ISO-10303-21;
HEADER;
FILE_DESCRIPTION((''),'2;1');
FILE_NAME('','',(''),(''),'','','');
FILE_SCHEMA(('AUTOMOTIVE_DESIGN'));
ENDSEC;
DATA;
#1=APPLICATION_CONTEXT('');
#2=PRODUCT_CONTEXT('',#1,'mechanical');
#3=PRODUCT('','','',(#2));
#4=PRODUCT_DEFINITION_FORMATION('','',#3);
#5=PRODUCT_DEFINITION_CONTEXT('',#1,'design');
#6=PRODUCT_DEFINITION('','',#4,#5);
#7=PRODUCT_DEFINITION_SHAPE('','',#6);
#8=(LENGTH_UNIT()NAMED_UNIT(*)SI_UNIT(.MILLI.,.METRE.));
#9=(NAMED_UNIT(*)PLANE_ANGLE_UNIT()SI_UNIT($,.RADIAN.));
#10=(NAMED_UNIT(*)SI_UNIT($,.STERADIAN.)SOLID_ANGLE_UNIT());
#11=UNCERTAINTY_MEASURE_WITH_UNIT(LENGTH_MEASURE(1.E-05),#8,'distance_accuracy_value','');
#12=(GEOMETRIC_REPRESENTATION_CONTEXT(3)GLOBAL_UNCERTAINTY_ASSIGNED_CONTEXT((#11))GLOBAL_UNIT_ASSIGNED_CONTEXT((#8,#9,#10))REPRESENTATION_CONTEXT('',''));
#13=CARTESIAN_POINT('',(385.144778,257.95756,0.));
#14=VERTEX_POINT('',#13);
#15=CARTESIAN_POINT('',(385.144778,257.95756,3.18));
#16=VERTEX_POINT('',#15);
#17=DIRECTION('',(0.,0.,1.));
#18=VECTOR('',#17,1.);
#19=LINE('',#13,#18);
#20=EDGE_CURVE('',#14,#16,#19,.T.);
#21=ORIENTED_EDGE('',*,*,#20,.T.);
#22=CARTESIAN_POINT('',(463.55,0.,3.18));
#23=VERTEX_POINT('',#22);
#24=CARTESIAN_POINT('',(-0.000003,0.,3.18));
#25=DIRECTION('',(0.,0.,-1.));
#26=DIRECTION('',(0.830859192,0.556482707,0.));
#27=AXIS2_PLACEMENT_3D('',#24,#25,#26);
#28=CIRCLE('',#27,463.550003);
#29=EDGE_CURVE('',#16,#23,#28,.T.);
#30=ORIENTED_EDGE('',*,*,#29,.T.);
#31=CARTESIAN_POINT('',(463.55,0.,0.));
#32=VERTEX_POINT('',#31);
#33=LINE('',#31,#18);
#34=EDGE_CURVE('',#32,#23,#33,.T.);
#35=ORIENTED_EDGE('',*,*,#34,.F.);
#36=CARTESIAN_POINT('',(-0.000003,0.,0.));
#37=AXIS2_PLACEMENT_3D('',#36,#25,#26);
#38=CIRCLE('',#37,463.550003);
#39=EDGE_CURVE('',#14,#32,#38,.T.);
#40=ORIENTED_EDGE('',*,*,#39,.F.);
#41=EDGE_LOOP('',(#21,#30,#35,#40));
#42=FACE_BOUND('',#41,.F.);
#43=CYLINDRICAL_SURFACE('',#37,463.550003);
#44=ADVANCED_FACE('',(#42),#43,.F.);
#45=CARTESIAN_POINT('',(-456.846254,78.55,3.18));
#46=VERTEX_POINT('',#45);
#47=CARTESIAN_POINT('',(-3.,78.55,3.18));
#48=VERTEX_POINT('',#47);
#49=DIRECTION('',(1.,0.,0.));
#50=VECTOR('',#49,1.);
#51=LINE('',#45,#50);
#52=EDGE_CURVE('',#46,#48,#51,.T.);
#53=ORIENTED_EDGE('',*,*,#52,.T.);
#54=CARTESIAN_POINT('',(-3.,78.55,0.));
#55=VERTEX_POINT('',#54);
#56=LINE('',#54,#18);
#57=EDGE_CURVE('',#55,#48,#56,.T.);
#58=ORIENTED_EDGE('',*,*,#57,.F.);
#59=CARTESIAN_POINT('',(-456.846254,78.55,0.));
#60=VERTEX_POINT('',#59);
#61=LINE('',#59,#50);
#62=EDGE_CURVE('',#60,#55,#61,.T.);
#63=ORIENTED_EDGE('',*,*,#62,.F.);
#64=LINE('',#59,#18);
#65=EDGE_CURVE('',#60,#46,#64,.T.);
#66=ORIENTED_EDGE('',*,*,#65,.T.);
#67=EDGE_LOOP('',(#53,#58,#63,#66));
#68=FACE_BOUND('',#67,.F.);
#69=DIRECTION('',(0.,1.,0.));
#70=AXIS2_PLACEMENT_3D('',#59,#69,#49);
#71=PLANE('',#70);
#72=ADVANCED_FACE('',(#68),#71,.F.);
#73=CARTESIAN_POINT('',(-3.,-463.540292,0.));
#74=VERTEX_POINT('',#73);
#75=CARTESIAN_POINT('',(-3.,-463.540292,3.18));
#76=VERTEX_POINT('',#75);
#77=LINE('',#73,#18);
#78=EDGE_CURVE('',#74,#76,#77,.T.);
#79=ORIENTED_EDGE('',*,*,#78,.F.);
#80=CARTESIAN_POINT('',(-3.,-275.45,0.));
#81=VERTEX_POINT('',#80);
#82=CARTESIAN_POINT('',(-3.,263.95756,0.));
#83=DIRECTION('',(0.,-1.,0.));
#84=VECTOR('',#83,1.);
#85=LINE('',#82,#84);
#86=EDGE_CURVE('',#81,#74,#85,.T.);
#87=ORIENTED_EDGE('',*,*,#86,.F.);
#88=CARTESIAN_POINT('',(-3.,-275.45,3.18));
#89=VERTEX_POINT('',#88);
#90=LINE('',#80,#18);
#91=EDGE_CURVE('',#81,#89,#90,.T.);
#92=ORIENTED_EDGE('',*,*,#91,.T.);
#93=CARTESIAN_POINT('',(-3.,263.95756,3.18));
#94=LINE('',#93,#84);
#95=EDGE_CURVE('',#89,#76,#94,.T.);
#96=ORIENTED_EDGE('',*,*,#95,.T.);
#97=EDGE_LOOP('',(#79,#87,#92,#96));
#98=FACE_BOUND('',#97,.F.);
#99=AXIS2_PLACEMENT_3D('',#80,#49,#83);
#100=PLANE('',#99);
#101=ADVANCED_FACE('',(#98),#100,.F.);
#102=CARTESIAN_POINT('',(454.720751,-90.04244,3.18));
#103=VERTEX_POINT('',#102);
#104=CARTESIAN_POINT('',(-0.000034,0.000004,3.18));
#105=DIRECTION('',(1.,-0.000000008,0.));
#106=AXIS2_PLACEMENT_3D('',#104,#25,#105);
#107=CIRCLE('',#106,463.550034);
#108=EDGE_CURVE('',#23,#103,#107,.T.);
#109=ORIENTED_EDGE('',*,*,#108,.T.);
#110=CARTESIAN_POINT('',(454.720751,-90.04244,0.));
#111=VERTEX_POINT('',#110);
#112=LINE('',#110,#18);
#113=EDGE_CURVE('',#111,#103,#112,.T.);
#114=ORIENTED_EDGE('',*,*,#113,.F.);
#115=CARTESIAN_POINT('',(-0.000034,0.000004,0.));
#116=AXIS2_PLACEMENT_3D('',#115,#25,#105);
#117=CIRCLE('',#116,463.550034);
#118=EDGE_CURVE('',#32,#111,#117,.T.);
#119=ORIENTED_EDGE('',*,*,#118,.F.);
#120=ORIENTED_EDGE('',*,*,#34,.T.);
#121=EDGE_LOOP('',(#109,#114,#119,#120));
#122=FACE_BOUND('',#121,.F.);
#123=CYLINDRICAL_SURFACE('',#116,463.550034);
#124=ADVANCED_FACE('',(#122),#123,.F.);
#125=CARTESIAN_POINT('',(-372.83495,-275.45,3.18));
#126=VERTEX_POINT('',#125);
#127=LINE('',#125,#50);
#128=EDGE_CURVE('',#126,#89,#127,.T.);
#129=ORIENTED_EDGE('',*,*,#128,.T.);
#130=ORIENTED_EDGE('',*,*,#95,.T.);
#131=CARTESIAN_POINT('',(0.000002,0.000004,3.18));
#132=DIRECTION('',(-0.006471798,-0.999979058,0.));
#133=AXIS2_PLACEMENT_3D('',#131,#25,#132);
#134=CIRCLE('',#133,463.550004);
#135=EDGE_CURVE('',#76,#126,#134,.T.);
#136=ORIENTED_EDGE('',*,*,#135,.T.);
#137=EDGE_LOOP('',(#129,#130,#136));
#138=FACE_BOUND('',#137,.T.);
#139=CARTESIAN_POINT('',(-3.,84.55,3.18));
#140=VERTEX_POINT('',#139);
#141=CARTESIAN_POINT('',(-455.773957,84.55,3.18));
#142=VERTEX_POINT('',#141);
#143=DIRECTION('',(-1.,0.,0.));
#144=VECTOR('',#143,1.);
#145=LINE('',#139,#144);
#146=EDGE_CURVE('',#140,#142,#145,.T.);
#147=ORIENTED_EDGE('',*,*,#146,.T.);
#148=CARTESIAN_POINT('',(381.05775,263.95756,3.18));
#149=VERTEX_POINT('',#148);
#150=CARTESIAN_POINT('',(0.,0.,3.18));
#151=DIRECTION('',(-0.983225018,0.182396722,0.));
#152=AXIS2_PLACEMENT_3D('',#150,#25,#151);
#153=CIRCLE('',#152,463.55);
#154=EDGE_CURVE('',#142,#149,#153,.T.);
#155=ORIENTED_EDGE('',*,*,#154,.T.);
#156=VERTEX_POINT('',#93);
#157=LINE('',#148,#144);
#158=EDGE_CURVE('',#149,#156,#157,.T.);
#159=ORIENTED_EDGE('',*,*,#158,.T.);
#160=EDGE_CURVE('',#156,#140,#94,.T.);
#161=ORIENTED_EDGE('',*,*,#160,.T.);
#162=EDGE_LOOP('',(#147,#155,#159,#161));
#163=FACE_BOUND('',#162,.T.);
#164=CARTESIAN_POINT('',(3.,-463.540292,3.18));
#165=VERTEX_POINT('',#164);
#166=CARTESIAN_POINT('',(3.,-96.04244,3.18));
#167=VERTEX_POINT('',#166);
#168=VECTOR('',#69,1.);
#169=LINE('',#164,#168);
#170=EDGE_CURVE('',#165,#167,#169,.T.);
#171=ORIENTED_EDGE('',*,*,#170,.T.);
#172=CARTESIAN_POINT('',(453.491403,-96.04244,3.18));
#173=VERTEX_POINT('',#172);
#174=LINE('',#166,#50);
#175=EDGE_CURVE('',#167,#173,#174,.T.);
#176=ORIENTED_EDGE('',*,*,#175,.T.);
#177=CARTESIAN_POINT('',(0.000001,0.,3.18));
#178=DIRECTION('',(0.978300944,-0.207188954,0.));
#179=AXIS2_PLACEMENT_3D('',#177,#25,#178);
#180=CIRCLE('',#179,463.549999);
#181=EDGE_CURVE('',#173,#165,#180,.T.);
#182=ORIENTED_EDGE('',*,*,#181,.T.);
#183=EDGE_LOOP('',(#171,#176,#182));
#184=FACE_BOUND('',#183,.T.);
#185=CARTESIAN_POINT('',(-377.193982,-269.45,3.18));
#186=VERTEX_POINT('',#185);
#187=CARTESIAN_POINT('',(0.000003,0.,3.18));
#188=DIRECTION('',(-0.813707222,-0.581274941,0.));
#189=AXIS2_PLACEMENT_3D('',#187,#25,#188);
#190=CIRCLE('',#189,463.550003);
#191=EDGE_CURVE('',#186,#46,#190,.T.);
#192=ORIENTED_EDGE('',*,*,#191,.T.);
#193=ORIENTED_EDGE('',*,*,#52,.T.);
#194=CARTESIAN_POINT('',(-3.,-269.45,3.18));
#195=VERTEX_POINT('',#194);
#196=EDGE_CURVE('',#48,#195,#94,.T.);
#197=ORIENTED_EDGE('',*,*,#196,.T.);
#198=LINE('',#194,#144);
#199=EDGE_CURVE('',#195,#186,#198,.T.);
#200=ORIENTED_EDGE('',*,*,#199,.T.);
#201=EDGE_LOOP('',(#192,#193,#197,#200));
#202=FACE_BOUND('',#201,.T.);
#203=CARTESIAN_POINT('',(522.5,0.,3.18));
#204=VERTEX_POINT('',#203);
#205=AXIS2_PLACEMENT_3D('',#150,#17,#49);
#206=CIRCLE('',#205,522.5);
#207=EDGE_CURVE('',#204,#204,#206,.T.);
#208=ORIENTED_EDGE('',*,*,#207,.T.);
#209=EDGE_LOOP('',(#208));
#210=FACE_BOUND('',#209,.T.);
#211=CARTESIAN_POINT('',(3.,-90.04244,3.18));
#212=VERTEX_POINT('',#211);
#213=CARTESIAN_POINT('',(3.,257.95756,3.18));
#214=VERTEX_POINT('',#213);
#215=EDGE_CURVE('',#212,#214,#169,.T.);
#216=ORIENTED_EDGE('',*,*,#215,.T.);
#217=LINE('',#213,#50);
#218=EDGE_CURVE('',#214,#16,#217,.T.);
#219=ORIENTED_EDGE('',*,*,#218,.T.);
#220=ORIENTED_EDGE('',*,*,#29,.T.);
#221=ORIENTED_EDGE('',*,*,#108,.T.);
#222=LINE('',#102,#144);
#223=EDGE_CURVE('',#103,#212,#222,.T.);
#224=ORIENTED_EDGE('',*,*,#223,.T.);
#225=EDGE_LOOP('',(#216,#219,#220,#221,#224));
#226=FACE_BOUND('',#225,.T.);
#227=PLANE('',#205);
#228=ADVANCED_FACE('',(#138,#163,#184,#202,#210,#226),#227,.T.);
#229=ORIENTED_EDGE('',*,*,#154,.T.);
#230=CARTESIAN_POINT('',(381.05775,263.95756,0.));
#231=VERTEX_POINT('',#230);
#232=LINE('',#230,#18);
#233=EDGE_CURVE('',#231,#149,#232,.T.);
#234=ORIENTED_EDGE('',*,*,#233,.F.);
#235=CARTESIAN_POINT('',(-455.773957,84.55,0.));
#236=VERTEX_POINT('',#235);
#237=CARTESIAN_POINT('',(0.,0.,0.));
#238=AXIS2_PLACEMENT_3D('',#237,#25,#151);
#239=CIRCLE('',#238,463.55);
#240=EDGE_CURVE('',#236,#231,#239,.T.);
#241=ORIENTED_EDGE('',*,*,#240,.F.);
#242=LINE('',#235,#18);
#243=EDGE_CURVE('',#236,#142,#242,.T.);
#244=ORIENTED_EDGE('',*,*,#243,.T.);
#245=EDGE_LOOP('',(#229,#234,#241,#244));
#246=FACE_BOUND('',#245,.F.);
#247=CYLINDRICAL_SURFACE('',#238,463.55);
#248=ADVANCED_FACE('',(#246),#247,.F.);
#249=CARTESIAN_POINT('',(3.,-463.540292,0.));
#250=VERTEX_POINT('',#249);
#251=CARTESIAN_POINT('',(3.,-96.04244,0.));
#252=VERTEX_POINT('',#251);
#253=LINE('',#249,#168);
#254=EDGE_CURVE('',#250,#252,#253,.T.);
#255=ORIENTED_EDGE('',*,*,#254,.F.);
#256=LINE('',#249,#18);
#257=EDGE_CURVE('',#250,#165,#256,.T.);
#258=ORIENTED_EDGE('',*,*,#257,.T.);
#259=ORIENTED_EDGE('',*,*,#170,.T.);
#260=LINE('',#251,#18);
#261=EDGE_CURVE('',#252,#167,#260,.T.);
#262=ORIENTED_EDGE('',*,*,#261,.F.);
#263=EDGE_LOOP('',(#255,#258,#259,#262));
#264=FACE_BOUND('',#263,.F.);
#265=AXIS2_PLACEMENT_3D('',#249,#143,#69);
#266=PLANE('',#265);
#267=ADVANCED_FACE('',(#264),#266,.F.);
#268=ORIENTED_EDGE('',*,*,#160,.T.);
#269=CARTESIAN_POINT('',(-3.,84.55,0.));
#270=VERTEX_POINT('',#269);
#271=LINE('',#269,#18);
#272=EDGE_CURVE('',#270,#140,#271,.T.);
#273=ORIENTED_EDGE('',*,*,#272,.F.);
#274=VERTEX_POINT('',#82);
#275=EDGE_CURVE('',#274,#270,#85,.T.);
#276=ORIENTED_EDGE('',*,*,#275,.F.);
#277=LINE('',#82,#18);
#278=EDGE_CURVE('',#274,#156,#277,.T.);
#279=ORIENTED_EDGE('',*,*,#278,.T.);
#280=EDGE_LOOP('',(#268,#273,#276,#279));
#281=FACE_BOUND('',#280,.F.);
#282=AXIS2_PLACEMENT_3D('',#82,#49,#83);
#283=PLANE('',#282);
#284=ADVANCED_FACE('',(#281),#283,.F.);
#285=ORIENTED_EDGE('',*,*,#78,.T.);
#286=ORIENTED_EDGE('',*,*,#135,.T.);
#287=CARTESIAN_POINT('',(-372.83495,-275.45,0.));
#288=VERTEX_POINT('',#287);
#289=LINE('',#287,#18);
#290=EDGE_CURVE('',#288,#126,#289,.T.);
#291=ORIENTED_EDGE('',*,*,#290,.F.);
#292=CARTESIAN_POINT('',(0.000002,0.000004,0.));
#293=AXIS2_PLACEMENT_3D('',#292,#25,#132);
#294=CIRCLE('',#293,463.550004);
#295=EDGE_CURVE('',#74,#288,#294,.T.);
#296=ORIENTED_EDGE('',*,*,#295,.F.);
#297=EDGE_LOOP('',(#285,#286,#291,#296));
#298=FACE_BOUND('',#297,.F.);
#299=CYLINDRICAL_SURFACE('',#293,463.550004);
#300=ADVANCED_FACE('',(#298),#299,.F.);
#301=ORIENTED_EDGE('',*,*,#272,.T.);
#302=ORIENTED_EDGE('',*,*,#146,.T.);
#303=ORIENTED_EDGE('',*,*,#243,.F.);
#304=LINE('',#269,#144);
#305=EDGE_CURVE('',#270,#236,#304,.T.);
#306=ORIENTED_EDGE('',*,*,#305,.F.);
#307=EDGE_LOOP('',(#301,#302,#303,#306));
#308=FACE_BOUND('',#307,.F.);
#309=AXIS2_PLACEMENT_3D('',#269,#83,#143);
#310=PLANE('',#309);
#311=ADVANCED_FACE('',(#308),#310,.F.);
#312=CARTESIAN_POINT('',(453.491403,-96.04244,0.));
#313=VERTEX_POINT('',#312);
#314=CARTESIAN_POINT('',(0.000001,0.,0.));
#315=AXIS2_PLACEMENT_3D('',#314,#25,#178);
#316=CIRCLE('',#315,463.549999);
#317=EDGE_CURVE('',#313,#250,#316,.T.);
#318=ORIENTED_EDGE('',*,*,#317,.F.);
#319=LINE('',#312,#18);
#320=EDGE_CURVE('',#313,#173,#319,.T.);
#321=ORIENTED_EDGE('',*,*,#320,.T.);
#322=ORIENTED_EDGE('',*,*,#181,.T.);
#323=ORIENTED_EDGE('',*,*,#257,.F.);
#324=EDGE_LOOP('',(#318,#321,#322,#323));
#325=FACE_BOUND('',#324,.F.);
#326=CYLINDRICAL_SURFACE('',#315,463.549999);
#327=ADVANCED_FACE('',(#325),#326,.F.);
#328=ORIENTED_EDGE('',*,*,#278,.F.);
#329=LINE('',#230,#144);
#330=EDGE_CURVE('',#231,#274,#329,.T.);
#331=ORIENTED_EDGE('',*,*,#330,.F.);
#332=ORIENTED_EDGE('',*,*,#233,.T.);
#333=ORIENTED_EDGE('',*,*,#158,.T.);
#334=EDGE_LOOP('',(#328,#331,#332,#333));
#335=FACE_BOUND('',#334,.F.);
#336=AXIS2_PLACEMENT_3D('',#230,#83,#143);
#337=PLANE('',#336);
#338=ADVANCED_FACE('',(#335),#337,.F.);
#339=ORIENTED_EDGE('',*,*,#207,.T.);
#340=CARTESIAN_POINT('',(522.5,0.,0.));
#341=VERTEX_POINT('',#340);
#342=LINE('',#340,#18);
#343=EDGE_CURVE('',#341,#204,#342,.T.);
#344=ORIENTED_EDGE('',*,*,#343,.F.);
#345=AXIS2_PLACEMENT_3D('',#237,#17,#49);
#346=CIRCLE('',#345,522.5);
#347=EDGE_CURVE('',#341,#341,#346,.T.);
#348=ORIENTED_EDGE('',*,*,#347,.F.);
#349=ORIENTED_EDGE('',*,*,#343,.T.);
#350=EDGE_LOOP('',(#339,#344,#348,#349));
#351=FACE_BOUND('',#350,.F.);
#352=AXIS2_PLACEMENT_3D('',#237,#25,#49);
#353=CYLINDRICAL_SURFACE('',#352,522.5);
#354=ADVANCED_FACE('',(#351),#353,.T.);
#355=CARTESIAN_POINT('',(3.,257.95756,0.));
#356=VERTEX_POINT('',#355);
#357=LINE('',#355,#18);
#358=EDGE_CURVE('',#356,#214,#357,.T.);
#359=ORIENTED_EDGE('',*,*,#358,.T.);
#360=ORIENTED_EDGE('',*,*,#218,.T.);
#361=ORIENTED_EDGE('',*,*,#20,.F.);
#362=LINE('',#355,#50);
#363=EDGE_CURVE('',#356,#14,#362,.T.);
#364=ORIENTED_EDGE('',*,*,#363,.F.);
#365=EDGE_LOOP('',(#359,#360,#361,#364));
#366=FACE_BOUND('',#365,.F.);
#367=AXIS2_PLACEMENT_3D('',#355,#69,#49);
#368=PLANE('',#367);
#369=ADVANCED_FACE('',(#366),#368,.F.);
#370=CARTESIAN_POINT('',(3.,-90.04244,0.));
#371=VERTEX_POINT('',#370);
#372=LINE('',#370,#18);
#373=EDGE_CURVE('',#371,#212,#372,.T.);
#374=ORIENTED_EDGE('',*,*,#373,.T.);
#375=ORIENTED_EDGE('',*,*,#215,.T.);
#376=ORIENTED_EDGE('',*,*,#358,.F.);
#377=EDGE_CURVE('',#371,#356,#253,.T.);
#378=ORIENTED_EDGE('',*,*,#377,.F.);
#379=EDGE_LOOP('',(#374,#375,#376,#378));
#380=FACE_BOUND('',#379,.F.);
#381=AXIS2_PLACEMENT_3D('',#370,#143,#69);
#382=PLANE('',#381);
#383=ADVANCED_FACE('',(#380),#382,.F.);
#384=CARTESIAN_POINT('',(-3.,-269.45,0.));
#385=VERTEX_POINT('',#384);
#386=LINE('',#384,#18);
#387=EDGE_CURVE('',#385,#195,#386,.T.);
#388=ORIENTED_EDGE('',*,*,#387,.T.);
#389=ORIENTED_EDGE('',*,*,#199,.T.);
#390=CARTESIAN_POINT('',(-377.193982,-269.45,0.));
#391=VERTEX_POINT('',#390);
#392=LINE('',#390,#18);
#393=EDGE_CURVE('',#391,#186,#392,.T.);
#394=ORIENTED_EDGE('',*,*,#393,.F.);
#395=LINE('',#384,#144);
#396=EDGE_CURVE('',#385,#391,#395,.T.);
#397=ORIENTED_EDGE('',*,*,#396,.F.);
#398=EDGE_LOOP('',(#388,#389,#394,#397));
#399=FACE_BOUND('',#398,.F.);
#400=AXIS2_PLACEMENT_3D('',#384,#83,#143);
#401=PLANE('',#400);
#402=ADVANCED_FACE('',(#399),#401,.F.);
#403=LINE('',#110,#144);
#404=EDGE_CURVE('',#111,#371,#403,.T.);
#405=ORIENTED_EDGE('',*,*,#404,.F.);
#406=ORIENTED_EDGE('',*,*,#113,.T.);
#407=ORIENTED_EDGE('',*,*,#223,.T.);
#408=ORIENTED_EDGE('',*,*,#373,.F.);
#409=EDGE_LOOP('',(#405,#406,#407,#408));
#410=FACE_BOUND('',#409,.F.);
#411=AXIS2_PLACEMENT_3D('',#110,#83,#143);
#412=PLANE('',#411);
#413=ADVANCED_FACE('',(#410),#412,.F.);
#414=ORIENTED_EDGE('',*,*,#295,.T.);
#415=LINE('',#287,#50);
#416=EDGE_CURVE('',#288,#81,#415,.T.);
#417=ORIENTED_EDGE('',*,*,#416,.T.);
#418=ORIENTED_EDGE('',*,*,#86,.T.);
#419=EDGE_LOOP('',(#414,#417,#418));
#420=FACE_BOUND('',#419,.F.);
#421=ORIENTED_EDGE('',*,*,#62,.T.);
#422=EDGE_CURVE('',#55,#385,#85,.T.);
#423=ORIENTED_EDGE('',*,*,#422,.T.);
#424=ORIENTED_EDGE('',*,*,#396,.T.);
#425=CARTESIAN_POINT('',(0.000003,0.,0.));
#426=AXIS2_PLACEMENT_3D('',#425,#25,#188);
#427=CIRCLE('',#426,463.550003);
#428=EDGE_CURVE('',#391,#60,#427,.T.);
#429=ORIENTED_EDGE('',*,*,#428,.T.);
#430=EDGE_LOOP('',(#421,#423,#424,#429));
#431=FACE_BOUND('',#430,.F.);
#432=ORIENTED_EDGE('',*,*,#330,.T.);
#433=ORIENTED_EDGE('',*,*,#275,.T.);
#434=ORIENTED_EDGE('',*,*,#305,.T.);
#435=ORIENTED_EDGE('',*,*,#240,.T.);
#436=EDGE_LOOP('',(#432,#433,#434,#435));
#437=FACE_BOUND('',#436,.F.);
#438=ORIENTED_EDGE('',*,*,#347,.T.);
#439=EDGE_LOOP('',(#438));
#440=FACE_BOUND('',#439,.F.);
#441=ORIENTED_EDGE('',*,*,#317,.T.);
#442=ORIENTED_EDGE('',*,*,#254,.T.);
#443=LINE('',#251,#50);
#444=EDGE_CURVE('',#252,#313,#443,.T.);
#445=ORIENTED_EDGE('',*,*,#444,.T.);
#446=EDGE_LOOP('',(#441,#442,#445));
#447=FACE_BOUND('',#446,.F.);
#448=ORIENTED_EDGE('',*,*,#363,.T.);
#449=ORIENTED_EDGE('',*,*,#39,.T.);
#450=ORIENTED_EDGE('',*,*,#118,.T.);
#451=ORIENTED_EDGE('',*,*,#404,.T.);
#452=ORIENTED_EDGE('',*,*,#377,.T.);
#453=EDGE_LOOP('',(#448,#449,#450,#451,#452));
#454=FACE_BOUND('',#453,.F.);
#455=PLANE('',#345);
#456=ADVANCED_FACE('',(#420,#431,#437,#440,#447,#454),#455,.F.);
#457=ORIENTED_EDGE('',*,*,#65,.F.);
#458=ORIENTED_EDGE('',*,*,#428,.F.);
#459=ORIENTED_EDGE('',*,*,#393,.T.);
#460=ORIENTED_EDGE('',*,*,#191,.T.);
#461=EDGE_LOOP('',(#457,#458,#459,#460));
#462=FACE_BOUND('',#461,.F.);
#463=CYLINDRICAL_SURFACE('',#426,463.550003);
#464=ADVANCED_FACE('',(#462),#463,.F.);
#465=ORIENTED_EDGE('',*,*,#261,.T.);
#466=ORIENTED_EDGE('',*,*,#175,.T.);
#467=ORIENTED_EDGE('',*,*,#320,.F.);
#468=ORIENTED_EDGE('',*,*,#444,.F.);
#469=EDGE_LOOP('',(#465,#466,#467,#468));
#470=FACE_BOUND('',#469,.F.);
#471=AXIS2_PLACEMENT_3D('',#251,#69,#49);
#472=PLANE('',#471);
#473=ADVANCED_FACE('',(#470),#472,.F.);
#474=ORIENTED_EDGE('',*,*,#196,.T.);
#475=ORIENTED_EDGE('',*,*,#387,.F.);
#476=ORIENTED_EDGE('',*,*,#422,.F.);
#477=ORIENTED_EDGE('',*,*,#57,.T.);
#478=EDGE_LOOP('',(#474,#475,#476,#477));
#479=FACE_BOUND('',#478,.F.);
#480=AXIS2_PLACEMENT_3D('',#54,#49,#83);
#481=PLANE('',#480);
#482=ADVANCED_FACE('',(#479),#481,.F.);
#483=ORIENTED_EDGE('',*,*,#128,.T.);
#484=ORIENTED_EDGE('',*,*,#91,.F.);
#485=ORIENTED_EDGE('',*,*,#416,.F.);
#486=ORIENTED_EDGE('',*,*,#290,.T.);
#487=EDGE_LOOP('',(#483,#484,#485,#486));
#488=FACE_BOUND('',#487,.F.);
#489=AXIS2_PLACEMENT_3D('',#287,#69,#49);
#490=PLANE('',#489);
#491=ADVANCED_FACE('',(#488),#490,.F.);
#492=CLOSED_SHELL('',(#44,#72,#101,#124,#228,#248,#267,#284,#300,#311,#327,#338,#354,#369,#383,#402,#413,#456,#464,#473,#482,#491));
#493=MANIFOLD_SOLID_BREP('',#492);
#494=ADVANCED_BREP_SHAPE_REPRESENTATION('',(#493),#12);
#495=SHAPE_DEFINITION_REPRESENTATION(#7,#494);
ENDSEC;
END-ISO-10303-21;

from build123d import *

# Parameters (mm, degrees)
F0_R     = 522.5
F1_DEPTH = 3.18


with BuildPart() as f1:
    # F0 (on Top) → F1 (new body)
    with BuildSketch(Plane.XY):
        Circle(F0_R)
        with BuildLine():
            ThreePointArc((385.144778, 257.95756), (443.515763, 134.804935), (463.55, 0))
            ThreePointArc((463.55, 0), (461.337407, -45.237144), (454.720751, -90.04244))
            ThreePointArc((454.720751, -90.04244), (454.115986, -93.04447), (453.491403, -96.04244))
            ThreePointArc((453.491403, -96.04244), (293.018375, -359.191919), (3, -463.540292))
            ThreePointArc((3, -463.540292), (0, -463.55), (-3, -463.540292))
            ThreePointArc((-3, -463.540292), (-210.136781, -413.184142), (-372.83495, -275.45))
            ThreePointArc((-372.83495, -275.45), (-375.026465, -272.458718), (-377.193982, -269.45))
            ThreePointArc((-377.193982, -269.45), (-451.864779, -103.42545), (-456.846254, 78.55))
            ThreePointArc((-456.846254, 78.55), (-456.319967, 81.551762), (-455.773957, 84.55))
            ThreePointArc((-455.773957, 84.55), (-97.171992, 453.25071), (381.05775, 263.95756))
            ThreePointArc((381.05775, 263.95756), (383.11301, 260.965561), (385.144778, 257.95756))
        make_face(mode=Mode.SUBTRACT)
        with BuildLine():
            Line((-3, 84.55), (-455.773957, 84.55))
            ThreePointArc((-455.773957, 84.55), (-456.319967, 81.551762), (-456.846254, 78.55))
            Line((-456.846254, 78.55), (-3, 78.55))
            Line((-3, 78.55), (-3, 84.55))
        make_face()
        with BuildLine():
            Line((3, 257.95756), (385.144778, 257.95756))
            ThreePointArc((385.144778, 257.95756), (383.11301, 260.965561), (381.05775, 263.95756))
            Line((381.05775, 263.95756), (-3, 263.95756))
            Line((-3, 263.95756), (-3, 84.55))
            Line((-3, 84.55), (-3, 78.55))
            Line((-3, 78.55), (-3, -269.45))
            Line((-3, -269.45), (-3, -275.45))
            Line((-3, -275.45), (-3, -463.540292))
            ThreePointArc((-3, -463.540292), (0, -463.55), (3, -463.540292))
            Line((3, -463.540292), (3, -96.04244))
            Line((3, -96.04244), (3, -90.04244))
            Line((3, -90.04244), (3, 257.95756))
        make_face()
        with BuildLine():
            ThreePointArc((453.491403, -96.04244), (454.115986, -93.04447), (454.720751, -90.04244))
            Line((454.720751, -90.04244), (3, -90.04244))
            Line((3, -90.04244), (3, -96.04244))
            Line((3, -96.04244), (453.491403, -96.04244))
        make_face()
        with BuildLine():
            Line((-3, -269.45), (-377.193982, -269.45))
            ThreePointArc((-377.193982, -269.45), (-375.026465, -272.458718), (-372.83495, -275.45))
            Line((-372.83495, -275.45), (-3, -275.45))
            Line((-3, -275.45), (-3, -269.45))
        make_face()
    extrude(amount=F1_DEPTH)


solid = f1.part
